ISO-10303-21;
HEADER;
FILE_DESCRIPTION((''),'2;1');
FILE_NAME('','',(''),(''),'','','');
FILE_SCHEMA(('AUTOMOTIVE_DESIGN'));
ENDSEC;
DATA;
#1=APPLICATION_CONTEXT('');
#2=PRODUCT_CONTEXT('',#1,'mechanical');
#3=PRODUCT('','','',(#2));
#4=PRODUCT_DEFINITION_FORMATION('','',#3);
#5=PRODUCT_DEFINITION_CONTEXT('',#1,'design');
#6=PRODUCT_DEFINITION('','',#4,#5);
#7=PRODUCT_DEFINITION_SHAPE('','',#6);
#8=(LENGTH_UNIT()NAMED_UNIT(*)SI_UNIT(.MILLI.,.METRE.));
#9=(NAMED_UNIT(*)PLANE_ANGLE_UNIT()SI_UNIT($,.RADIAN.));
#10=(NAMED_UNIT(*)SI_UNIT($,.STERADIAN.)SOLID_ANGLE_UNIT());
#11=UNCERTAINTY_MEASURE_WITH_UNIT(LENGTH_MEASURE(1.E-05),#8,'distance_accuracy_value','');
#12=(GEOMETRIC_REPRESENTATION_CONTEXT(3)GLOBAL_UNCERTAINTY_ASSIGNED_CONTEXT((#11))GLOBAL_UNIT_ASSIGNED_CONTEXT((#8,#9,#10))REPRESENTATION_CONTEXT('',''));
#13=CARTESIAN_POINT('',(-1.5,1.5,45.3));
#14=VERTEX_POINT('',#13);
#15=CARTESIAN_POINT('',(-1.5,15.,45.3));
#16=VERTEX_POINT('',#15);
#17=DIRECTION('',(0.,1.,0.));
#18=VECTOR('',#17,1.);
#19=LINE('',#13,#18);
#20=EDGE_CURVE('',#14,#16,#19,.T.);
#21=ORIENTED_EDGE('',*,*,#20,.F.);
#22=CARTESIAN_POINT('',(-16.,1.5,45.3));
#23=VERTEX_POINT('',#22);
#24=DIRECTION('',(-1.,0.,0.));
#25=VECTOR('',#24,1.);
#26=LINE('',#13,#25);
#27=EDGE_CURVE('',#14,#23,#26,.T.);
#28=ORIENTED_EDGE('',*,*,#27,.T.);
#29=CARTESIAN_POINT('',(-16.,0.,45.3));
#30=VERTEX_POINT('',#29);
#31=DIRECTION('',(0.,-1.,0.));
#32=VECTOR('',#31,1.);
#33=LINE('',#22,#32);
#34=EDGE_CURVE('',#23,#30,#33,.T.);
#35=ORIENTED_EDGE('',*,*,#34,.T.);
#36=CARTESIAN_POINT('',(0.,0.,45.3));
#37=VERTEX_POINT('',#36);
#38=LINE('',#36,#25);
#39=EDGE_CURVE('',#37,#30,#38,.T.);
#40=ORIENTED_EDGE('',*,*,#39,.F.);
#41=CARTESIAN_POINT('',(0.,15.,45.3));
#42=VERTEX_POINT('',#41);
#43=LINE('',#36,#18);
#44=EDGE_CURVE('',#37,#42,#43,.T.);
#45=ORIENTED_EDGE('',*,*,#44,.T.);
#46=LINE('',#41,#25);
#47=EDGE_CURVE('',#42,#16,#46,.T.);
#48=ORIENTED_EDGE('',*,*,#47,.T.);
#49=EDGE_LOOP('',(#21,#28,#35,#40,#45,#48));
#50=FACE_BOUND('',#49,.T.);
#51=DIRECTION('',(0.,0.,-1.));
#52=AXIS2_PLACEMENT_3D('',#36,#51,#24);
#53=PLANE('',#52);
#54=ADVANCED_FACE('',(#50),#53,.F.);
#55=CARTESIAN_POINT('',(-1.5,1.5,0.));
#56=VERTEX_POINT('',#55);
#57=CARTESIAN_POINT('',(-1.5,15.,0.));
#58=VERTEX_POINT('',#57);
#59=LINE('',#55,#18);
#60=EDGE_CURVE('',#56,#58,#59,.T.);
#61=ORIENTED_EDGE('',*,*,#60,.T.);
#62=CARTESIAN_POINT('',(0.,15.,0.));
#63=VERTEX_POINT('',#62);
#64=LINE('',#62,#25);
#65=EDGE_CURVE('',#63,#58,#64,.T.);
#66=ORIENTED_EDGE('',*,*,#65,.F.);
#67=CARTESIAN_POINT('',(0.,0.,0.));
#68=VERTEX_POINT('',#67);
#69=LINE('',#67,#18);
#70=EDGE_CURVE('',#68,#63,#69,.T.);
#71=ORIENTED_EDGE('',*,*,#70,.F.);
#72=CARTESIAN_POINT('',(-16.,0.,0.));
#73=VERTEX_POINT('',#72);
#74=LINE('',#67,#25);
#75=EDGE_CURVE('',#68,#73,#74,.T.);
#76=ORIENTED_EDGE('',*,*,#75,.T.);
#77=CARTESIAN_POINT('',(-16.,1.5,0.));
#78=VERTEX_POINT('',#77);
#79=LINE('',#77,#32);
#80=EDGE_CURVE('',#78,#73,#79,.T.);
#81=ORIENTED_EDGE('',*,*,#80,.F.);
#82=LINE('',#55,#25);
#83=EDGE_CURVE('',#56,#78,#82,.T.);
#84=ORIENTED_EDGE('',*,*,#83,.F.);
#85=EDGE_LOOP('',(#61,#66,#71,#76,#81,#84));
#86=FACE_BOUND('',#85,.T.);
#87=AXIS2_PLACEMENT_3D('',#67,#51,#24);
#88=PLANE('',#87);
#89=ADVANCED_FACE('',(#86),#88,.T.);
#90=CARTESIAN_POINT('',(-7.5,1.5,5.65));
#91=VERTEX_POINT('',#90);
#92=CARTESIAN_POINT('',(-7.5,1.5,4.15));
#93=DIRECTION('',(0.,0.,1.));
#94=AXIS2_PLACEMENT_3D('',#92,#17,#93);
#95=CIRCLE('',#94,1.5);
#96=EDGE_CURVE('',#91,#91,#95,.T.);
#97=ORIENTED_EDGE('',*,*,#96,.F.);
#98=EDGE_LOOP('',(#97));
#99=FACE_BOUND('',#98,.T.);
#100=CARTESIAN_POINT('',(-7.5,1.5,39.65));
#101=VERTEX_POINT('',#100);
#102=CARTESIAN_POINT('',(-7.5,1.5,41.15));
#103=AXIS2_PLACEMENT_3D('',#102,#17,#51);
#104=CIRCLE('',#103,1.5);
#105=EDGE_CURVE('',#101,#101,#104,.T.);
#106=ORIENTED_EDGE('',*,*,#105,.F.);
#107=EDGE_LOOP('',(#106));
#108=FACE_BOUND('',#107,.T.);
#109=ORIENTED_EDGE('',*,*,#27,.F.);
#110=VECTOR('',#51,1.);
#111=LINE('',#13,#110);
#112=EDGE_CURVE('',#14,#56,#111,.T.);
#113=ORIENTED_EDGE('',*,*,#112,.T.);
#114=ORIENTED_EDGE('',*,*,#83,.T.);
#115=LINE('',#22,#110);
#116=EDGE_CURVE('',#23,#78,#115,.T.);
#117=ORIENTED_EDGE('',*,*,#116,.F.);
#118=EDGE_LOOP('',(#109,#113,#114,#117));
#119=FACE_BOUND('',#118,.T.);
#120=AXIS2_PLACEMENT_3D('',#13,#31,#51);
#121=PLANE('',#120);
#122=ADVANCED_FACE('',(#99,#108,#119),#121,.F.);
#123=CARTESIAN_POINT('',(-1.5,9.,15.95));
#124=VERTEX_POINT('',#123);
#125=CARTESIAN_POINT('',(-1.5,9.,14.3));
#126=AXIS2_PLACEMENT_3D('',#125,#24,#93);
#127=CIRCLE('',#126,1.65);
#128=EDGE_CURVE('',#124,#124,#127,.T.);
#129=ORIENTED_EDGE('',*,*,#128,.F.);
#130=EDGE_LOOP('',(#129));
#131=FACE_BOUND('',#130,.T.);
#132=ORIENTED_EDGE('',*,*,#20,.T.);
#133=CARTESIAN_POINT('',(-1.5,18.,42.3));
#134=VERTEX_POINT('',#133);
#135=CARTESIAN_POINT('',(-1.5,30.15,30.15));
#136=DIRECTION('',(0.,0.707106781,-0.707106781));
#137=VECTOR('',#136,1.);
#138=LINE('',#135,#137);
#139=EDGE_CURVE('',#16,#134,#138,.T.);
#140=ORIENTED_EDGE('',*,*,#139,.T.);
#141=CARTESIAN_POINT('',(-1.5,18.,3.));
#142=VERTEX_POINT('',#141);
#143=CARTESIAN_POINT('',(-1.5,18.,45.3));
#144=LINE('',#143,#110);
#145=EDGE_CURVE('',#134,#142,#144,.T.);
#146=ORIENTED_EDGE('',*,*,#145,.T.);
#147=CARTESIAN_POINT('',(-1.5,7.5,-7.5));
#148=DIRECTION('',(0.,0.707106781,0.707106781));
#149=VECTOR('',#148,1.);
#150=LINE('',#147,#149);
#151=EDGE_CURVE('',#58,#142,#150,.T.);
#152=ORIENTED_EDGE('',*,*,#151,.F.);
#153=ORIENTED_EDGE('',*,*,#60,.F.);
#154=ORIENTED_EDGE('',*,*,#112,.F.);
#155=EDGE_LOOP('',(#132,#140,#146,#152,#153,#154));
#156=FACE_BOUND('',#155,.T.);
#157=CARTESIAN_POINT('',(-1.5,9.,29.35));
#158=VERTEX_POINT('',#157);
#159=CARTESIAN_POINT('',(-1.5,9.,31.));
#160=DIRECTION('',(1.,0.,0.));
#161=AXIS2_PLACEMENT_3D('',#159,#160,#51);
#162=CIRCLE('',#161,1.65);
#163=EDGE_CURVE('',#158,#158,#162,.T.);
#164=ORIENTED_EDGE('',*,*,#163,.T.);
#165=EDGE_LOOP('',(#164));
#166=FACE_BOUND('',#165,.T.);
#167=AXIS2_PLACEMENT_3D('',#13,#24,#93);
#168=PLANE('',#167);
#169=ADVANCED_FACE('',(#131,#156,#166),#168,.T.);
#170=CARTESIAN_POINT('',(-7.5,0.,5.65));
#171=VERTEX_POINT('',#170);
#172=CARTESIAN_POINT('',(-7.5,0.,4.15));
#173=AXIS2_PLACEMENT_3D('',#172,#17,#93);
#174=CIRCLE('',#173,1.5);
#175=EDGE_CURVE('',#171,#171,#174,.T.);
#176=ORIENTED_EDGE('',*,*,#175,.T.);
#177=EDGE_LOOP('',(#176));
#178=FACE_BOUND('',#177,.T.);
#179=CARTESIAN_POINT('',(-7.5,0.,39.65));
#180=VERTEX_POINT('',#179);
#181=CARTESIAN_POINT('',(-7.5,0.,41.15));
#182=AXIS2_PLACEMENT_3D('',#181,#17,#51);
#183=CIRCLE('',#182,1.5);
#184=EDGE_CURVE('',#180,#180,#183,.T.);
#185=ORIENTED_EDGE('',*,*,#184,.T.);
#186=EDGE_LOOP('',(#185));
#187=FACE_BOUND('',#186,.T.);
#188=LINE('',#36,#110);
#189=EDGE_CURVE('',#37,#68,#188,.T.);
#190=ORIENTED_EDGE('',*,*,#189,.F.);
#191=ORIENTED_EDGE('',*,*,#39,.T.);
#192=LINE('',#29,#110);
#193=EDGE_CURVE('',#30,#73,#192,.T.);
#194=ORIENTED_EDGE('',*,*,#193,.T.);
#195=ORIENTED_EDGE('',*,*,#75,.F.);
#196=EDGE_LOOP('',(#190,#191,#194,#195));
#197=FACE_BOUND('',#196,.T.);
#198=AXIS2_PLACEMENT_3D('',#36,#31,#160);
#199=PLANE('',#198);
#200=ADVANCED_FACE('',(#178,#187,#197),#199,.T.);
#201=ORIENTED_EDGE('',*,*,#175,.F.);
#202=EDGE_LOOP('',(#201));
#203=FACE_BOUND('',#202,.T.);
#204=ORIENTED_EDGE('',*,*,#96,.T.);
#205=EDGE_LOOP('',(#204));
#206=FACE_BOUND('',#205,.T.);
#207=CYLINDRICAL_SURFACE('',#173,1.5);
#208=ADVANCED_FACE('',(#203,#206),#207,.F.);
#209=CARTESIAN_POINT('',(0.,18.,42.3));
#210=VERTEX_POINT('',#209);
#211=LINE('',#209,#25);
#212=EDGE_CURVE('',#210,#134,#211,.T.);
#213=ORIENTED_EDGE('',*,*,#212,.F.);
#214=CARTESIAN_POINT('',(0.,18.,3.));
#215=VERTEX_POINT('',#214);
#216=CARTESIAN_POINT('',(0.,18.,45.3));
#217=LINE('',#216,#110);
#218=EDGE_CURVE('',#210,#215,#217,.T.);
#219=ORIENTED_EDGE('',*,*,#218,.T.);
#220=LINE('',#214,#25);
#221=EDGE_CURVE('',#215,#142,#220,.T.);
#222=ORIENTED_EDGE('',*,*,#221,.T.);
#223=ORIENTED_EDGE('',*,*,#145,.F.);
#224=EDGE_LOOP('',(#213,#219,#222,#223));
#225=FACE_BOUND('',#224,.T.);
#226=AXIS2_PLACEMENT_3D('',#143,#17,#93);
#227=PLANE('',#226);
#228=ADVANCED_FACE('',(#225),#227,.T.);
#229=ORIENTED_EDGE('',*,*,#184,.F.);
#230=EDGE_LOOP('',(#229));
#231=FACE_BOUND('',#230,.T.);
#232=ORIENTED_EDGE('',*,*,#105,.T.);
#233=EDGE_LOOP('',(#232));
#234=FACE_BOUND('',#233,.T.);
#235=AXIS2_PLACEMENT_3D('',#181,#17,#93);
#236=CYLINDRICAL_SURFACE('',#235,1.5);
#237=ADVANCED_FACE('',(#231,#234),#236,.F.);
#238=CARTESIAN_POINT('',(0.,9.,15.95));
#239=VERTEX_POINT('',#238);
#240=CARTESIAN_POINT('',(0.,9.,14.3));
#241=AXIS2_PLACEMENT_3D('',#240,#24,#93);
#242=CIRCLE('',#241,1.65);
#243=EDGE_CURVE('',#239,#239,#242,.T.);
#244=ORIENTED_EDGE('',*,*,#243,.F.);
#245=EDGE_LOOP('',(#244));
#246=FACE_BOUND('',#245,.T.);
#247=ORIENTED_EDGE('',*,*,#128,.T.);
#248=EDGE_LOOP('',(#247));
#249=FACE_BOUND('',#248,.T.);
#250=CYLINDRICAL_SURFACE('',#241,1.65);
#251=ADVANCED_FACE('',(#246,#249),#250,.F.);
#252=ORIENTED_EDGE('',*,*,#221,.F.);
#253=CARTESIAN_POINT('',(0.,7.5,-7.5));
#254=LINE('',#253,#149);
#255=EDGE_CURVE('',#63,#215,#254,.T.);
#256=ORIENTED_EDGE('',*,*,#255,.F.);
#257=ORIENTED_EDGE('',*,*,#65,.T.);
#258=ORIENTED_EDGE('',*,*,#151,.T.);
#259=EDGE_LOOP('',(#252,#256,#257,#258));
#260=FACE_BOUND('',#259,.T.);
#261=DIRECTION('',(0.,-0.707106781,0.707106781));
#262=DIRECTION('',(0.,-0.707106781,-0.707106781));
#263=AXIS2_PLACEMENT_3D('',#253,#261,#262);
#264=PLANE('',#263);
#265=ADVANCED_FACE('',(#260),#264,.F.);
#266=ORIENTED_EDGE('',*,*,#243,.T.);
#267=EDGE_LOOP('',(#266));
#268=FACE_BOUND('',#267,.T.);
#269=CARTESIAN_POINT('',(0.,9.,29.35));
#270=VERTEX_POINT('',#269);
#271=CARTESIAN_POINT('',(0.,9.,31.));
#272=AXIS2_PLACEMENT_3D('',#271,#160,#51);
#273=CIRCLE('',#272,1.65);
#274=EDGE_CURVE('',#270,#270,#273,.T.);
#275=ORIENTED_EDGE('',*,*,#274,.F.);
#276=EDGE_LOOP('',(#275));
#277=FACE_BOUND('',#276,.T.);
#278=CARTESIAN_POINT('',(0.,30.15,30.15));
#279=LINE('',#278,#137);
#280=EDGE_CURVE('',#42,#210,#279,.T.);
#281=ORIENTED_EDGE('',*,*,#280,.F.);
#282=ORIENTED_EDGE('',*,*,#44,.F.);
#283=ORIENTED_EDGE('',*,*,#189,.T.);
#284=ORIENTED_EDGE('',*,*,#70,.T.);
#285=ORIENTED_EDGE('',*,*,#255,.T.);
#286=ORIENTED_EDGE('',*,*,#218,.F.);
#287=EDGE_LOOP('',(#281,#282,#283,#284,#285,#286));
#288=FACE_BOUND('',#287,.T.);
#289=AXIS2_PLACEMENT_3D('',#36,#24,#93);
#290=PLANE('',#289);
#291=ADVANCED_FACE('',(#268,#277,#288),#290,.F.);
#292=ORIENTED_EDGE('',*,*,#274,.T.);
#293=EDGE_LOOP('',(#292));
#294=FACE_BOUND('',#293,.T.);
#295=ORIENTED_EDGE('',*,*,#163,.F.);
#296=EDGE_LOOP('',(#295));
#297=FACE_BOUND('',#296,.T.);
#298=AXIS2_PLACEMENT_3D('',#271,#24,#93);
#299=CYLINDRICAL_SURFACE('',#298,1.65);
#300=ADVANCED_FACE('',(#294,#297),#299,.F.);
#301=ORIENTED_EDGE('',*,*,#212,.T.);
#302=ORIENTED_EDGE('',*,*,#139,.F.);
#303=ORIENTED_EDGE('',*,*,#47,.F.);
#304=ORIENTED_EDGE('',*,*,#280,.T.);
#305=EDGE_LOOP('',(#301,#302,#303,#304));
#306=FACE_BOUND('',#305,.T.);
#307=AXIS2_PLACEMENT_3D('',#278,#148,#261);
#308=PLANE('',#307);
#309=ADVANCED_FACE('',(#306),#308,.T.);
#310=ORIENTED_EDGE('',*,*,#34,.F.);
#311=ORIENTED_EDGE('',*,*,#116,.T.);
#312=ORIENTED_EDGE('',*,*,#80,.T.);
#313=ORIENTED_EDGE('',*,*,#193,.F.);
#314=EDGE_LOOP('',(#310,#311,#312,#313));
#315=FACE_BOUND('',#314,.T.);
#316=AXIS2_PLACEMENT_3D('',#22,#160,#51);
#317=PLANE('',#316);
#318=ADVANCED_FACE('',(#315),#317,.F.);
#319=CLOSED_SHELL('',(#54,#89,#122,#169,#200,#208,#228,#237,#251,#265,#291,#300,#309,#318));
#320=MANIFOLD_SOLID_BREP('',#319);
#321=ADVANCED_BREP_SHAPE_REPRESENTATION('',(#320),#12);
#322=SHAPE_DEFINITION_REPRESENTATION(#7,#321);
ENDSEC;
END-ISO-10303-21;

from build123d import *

# Parameters (mm, degrees)
BOSS_EXTRUDE1_DEPTH = 45.3
SKETCH2_R           = 1.65
CUT_EXTRUDE1_DEPTH  = 50.873239317
SKETCH3_R           = 1.5
CUT_EXTRUDE2_DEPTH  = 51.797047158


with BuildPart() as part:
    # Sketch1 → Boss-Extrude1 (new body)
    with BuildSketch(Plane.XY):
        Polygon((0, 0), (0, 18), (-1.5, 18), (-1.5, 1.5), (-16, 1.5), (-16, 0), align=None)
    extrude(amount=BOSS_EXTRUDE1_DEPTH)

    # Sketch2 → Cut-Extrude1 (cut, through all)
    with BuildSketch(Plane(origin=(-1.5, 3, 0), x_dir=(0, 1, 0), z_dir=(-1, 0, 0))):
        Polygon((12, 0), (15, -3), (15, 0), align=None)
        Polygon((15, -42.3), (12, -45.3), (15, -45.3), align=None)
        with Locations((6, -31)):
            Circle(SKETCH2_R)
        with Locations((6, -14.3)):
            Circle(SKETCH2_R)
    extrude(amount=-CUT_EXTRUDE1_DEPTH, mode=Mode.SUBTRACT)

    # Sketch3 → Cut-Extrude2 (cut, through all)
    with BuildSketch(Plane(origin=(0, 1.5, 0), x_dir=(1, 0, 0), z_dir=(0, 1, 0))):
        with Locations((-7.5, -4.15)):
            Circle(SKETCH3_R)
        with Locations((-7.5, -41.15)):
            Circle(SKETCH3_R)
    extrude(amount=-CUT_EXTRUDE2_DEPTH, mode=Mode.SUBTRACT)


solid = part.part
